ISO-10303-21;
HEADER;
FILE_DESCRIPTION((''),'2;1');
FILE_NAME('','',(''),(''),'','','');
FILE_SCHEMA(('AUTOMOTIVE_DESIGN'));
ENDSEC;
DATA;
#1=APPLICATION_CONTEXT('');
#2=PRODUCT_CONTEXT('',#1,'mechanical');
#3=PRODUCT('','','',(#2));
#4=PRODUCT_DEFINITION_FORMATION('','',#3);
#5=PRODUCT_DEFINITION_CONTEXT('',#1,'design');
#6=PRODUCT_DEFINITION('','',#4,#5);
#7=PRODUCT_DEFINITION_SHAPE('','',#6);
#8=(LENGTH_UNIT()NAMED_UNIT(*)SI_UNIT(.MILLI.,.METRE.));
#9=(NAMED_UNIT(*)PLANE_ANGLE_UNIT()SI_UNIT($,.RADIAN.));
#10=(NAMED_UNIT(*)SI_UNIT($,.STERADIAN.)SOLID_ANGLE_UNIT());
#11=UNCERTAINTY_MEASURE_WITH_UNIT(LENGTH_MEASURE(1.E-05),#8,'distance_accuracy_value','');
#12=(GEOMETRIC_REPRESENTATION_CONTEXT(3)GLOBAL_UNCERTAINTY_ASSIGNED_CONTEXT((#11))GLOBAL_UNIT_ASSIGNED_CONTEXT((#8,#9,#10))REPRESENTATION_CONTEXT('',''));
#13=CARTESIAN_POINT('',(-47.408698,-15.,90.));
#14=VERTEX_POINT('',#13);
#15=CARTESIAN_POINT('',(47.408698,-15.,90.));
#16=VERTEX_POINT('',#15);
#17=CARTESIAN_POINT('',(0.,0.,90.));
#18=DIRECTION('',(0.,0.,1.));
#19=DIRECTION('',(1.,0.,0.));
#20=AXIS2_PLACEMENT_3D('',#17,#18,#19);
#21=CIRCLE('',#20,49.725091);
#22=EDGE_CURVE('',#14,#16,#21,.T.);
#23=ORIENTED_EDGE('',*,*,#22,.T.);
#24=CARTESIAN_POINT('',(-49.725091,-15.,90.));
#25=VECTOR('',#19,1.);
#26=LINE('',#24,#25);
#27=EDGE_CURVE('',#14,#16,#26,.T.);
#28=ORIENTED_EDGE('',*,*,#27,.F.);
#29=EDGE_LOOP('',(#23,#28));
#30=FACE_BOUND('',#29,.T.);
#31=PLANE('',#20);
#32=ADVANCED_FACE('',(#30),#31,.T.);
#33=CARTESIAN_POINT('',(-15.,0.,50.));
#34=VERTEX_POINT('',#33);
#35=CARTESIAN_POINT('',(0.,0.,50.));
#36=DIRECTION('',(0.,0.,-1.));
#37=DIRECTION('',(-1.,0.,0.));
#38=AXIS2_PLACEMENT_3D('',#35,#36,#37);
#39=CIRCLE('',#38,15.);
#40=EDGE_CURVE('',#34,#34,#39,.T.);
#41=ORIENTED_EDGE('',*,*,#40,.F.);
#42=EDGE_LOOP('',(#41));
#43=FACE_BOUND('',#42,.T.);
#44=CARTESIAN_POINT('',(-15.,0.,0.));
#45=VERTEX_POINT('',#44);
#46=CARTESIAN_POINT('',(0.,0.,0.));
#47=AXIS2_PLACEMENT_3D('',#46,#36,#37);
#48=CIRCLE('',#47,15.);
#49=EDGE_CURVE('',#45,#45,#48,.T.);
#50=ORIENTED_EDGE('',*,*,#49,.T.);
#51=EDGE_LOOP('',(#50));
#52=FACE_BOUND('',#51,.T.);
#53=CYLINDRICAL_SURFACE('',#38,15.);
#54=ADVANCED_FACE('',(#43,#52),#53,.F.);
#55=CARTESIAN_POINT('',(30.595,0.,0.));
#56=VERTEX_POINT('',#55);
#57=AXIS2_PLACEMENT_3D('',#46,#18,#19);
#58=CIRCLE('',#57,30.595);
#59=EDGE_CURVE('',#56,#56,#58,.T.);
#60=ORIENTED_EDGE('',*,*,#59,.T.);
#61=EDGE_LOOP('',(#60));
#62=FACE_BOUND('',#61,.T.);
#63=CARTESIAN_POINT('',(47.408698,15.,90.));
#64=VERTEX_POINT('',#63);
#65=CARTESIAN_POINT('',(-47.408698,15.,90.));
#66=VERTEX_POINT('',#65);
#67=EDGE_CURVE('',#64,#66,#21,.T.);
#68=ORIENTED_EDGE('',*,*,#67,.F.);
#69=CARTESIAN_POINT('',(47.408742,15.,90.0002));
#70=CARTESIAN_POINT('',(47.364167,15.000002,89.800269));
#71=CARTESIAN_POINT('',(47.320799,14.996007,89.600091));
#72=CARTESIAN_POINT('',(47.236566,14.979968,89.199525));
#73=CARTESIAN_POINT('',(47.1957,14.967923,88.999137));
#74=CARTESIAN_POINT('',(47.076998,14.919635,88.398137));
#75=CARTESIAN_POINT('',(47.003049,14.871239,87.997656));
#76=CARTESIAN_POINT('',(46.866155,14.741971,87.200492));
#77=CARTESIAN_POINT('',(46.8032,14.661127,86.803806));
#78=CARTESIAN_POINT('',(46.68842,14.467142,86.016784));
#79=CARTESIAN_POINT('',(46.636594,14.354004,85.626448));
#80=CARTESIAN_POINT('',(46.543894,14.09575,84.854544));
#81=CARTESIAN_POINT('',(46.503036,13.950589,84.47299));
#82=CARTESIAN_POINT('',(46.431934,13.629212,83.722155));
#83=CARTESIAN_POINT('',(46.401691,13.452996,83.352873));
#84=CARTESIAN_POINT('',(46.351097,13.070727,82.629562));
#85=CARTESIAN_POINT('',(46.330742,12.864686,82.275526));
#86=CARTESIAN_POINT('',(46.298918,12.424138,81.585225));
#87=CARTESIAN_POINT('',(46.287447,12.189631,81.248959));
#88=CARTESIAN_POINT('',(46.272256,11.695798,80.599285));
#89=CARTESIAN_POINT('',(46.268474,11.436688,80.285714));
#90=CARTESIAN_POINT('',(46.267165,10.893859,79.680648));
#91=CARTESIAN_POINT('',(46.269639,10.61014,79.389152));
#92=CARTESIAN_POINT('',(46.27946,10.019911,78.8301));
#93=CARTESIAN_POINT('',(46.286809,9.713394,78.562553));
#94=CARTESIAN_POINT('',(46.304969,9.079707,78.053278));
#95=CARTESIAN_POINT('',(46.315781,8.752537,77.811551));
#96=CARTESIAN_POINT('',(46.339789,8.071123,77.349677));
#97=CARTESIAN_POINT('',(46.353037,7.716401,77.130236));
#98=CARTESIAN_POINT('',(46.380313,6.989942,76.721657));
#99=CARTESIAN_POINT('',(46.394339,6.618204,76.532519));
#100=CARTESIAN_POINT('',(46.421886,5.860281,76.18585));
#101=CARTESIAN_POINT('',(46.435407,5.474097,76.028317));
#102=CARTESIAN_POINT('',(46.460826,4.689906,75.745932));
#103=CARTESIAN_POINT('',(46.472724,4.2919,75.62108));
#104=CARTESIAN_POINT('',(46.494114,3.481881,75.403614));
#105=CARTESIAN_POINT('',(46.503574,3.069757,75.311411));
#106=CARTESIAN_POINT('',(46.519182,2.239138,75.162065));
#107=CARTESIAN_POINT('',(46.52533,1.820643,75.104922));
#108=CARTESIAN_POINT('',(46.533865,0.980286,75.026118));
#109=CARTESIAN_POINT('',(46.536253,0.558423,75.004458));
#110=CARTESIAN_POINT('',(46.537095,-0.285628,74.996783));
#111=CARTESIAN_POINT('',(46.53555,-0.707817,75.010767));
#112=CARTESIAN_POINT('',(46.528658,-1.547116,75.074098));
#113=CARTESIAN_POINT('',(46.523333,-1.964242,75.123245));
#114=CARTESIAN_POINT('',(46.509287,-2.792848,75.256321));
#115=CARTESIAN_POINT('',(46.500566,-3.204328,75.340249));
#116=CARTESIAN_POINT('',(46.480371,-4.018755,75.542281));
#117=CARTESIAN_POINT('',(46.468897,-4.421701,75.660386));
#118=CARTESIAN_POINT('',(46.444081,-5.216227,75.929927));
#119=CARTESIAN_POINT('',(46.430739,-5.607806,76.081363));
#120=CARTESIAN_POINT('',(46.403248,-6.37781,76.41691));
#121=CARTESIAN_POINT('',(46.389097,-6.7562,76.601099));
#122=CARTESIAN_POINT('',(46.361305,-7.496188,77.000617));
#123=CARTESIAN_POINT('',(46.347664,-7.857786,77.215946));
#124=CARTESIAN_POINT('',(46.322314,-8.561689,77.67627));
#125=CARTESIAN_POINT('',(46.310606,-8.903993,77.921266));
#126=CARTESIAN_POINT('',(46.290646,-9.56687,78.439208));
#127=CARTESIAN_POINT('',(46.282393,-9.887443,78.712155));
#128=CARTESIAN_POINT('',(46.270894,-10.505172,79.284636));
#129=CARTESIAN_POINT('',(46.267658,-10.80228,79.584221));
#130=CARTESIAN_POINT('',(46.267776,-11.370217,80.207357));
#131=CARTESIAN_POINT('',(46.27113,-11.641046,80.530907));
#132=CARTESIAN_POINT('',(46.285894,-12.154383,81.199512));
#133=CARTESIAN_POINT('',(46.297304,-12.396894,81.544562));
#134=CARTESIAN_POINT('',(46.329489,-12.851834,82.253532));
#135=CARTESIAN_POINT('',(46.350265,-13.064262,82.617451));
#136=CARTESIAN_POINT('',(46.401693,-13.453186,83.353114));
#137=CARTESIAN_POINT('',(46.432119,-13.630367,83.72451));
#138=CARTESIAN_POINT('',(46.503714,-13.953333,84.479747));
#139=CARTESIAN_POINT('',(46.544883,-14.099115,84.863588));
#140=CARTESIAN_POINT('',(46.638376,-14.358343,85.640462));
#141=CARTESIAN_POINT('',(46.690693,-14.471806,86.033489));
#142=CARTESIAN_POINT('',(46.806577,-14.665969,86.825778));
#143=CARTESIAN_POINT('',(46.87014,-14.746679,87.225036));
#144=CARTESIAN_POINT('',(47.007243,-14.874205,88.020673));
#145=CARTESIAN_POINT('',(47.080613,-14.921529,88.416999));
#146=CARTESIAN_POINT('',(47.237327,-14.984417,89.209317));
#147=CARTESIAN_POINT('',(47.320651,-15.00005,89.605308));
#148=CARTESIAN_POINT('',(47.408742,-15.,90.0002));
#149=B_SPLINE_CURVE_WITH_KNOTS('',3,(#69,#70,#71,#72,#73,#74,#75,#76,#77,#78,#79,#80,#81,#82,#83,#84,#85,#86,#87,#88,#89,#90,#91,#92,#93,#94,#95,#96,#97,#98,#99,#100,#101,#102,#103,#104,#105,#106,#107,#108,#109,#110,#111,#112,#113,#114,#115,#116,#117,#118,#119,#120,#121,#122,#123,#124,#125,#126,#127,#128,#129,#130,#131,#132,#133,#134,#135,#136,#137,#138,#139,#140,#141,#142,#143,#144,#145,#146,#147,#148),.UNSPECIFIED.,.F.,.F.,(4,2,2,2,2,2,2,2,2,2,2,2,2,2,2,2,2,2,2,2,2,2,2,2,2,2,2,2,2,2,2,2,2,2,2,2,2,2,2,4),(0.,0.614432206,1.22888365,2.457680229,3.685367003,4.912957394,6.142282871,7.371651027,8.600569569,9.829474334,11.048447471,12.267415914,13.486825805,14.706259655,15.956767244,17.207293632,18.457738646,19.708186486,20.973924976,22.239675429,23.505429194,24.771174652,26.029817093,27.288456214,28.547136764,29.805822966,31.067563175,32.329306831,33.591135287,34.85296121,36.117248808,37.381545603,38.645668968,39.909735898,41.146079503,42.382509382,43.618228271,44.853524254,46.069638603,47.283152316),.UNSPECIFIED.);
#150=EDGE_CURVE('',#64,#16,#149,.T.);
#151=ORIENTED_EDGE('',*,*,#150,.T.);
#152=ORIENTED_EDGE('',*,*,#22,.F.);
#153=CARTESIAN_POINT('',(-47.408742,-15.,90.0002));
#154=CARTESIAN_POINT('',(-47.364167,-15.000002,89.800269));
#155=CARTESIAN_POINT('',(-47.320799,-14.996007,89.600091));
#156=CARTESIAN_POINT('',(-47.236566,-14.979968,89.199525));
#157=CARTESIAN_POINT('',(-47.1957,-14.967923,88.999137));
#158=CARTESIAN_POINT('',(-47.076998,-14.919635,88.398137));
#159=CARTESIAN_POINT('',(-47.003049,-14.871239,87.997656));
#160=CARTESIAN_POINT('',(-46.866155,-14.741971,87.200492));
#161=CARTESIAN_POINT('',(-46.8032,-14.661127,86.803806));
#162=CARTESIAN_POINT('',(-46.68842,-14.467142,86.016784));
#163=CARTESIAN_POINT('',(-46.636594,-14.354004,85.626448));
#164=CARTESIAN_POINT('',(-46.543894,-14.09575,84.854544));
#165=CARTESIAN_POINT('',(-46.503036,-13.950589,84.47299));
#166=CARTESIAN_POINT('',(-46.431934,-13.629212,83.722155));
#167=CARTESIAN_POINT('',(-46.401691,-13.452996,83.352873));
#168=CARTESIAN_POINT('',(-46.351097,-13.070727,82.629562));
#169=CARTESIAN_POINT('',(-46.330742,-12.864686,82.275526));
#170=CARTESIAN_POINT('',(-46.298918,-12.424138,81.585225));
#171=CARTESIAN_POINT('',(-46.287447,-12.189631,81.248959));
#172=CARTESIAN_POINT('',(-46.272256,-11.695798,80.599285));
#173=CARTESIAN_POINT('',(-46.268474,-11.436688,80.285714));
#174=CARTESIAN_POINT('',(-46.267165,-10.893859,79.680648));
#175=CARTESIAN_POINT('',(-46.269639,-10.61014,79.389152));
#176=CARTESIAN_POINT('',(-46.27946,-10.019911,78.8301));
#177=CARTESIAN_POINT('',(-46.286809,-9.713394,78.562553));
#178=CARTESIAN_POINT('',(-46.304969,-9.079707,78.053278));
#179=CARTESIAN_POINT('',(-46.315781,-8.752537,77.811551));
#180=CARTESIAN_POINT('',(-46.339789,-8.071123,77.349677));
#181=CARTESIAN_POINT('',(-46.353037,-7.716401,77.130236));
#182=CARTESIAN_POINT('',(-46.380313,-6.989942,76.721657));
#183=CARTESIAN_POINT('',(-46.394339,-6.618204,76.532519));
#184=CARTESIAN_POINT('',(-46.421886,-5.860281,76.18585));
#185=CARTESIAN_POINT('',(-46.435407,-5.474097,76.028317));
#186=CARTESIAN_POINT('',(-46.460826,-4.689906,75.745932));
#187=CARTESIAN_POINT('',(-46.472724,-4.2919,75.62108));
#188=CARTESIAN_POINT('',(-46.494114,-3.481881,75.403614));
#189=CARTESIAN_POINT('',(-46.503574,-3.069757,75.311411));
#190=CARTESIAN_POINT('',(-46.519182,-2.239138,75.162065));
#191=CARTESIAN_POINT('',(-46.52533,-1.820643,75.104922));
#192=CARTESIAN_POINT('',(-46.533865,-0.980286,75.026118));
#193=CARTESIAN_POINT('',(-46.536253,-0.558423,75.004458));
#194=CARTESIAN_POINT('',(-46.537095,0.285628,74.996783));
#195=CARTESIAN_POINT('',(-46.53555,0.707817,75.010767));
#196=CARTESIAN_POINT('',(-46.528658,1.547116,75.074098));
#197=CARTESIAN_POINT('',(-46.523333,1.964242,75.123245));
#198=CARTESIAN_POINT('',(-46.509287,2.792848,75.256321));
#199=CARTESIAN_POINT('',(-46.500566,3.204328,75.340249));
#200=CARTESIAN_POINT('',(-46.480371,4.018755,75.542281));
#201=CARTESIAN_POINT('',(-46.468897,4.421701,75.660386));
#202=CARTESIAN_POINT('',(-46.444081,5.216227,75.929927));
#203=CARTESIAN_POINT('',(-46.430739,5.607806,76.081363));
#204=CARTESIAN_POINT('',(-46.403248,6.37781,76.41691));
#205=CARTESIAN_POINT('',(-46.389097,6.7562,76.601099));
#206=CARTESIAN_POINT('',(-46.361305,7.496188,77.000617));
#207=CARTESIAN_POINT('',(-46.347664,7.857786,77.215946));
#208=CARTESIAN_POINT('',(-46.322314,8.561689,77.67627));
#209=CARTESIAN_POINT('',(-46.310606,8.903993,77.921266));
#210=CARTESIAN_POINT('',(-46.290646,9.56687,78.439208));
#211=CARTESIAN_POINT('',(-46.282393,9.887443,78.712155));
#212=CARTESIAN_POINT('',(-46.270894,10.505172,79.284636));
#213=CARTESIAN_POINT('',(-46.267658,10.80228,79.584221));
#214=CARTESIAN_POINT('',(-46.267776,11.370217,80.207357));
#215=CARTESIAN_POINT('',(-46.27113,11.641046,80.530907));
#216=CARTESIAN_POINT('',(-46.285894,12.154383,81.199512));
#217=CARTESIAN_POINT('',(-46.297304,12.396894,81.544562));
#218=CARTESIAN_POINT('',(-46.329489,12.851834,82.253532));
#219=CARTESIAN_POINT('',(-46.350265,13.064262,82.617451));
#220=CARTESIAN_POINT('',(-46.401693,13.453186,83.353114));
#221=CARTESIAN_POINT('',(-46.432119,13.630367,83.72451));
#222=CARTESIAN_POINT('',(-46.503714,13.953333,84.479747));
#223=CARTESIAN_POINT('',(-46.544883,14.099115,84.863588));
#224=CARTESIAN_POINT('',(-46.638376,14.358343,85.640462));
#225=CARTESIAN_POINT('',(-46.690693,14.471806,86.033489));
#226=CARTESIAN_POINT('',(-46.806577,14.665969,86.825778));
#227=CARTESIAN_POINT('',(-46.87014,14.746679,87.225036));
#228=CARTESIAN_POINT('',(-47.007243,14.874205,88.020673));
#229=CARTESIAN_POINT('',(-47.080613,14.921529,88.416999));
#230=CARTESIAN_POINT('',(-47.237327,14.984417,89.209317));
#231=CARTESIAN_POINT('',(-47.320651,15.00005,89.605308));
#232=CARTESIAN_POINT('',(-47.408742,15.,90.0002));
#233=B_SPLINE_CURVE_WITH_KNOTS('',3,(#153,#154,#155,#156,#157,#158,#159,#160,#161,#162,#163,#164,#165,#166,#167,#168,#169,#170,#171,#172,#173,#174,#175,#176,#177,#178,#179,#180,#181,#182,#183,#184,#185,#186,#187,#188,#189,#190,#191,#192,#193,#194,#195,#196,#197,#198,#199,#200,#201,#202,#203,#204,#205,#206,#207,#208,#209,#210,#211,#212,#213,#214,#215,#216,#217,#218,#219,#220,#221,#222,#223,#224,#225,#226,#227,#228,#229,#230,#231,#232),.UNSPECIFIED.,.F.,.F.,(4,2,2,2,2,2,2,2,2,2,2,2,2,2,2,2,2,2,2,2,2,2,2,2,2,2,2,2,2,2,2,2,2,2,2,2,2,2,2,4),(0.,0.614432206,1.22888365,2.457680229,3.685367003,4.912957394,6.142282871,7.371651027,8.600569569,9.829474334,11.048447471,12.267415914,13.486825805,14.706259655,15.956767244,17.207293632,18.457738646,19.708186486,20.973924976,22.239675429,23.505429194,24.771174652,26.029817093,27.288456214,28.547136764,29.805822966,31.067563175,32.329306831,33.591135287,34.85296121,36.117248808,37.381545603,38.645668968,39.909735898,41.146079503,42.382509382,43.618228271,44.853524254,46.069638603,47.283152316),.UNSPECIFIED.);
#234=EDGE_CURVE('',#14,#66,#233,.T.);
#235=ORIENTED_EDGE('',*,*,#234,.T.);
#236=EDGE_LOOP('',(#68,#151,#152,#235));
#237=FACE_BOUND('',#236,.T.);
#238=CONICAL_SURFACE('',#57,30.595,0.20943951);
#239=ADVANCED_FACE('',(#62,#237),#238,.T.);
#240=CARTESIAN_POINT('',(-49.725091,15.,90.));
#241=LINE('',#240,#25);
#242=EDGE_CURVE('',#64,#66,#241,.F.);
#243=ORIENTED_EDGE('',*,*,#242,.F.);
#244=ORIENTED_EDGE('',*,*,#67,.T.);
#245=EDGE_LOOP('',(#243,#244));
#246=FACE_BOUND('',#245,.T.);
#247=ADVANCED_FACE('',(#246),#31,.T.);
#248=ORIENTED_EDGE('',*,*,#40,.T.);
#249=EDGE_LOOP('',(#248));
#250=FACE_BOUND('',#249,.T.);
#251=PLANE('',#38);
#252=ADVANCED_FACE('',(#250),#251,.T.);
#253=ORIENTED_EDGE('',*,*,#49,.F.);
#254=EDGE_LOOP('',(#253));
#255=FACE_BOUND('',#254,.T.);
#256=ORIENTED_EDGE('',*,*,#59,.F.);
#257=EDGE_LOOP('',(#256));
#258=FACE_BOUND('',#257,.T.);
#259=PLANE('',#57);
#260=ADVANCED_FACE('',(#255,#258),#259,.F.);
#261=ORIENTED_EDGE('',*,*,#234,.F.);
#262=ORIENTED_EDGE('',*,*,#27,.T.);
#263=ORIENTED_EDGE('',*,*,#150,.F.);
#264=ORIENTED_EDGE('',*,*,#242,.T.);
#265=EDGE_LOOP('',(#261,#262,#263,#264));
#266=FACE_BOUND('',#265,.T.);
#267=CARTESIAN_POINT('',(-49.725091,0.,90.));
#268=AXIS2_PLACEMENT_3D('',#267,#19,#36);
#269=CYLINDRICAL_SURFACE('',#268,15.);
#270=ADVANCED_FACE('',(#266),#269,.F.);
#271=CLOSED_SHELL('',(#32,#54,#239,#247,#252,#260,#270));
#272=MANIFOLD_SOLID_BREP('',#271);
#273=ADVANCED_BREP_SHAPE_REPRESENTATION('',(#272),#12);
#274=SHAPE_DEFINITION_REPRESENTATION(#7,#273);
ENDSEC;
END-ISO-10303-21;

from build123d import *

# Parameters (mm, degrees)
SKETCH1_R               = 30.595
BOSS_EXTRUDE1_DEPTH     = 90
BOSS_EXTRUDE1_DRAFT     = -12
SKETCH2_R               = 15
CUT_EXTRUDE1_DEPTH      = 50
CUT_EXTRUDE4_DEPTH      = 115.215451058
CUT_EXTRUDE4_DEPTH_BACK = 115.215451058
SKETCH3_R               = 15


with BuildPart() as part:
    # Sketch1 → Boss-Extrude1 (with draft: the straight prism first)
    with BuildSketch(Plane.XY):
        Circle(SKETCH1_R)
    extrude(amount=BOSS_EXTRUDE1_DEPTH)
    # Boss-Extrude1: the draft: its side faces are tilted about the plane it starts from
    boss_extrude1_sides = [part.faces().sort_by_distance(p)[0] for p in [
        (-30.595, 0, 45),
    ]]
    draft(boss_extrude1_sides, Plane.XY, BOSS_EXTRUDE1_DRAFT)

    # Sketch2 → Cut-Extrude1 (cut)
    with BuildSketch(Plane(origin=(0, 0, 0), x_dir=(-1, 0, 0), z_dir=(0, 0, -1))):
        Circle(SKETCH2_R)
    extrude(amount=-CUT_EXTRUDE1_DEPTH, mode=Mode.SUBTRACT)

    # Sketch3 → Cut-Extrude4 (cut, two sides: drawn at the far end of the back side and taken through both)
    with BuildSketch(Plane(origin=(0, 0, 0), x_dir=(0, 0, -1), z_dir=(1, 0, 0)).offset(-CUT_EXTRUDE4_DEPTH_BACK)):
        with Locations((-90, 0)):
            Circle(SKETCH3_R)
    extrude(amount=CUT_EXTRUDE4_DEPTH + CUT_EXTRUDE4_DEPTH_BACK, mode=Mode.SUBTRACT)


solid = part.part
